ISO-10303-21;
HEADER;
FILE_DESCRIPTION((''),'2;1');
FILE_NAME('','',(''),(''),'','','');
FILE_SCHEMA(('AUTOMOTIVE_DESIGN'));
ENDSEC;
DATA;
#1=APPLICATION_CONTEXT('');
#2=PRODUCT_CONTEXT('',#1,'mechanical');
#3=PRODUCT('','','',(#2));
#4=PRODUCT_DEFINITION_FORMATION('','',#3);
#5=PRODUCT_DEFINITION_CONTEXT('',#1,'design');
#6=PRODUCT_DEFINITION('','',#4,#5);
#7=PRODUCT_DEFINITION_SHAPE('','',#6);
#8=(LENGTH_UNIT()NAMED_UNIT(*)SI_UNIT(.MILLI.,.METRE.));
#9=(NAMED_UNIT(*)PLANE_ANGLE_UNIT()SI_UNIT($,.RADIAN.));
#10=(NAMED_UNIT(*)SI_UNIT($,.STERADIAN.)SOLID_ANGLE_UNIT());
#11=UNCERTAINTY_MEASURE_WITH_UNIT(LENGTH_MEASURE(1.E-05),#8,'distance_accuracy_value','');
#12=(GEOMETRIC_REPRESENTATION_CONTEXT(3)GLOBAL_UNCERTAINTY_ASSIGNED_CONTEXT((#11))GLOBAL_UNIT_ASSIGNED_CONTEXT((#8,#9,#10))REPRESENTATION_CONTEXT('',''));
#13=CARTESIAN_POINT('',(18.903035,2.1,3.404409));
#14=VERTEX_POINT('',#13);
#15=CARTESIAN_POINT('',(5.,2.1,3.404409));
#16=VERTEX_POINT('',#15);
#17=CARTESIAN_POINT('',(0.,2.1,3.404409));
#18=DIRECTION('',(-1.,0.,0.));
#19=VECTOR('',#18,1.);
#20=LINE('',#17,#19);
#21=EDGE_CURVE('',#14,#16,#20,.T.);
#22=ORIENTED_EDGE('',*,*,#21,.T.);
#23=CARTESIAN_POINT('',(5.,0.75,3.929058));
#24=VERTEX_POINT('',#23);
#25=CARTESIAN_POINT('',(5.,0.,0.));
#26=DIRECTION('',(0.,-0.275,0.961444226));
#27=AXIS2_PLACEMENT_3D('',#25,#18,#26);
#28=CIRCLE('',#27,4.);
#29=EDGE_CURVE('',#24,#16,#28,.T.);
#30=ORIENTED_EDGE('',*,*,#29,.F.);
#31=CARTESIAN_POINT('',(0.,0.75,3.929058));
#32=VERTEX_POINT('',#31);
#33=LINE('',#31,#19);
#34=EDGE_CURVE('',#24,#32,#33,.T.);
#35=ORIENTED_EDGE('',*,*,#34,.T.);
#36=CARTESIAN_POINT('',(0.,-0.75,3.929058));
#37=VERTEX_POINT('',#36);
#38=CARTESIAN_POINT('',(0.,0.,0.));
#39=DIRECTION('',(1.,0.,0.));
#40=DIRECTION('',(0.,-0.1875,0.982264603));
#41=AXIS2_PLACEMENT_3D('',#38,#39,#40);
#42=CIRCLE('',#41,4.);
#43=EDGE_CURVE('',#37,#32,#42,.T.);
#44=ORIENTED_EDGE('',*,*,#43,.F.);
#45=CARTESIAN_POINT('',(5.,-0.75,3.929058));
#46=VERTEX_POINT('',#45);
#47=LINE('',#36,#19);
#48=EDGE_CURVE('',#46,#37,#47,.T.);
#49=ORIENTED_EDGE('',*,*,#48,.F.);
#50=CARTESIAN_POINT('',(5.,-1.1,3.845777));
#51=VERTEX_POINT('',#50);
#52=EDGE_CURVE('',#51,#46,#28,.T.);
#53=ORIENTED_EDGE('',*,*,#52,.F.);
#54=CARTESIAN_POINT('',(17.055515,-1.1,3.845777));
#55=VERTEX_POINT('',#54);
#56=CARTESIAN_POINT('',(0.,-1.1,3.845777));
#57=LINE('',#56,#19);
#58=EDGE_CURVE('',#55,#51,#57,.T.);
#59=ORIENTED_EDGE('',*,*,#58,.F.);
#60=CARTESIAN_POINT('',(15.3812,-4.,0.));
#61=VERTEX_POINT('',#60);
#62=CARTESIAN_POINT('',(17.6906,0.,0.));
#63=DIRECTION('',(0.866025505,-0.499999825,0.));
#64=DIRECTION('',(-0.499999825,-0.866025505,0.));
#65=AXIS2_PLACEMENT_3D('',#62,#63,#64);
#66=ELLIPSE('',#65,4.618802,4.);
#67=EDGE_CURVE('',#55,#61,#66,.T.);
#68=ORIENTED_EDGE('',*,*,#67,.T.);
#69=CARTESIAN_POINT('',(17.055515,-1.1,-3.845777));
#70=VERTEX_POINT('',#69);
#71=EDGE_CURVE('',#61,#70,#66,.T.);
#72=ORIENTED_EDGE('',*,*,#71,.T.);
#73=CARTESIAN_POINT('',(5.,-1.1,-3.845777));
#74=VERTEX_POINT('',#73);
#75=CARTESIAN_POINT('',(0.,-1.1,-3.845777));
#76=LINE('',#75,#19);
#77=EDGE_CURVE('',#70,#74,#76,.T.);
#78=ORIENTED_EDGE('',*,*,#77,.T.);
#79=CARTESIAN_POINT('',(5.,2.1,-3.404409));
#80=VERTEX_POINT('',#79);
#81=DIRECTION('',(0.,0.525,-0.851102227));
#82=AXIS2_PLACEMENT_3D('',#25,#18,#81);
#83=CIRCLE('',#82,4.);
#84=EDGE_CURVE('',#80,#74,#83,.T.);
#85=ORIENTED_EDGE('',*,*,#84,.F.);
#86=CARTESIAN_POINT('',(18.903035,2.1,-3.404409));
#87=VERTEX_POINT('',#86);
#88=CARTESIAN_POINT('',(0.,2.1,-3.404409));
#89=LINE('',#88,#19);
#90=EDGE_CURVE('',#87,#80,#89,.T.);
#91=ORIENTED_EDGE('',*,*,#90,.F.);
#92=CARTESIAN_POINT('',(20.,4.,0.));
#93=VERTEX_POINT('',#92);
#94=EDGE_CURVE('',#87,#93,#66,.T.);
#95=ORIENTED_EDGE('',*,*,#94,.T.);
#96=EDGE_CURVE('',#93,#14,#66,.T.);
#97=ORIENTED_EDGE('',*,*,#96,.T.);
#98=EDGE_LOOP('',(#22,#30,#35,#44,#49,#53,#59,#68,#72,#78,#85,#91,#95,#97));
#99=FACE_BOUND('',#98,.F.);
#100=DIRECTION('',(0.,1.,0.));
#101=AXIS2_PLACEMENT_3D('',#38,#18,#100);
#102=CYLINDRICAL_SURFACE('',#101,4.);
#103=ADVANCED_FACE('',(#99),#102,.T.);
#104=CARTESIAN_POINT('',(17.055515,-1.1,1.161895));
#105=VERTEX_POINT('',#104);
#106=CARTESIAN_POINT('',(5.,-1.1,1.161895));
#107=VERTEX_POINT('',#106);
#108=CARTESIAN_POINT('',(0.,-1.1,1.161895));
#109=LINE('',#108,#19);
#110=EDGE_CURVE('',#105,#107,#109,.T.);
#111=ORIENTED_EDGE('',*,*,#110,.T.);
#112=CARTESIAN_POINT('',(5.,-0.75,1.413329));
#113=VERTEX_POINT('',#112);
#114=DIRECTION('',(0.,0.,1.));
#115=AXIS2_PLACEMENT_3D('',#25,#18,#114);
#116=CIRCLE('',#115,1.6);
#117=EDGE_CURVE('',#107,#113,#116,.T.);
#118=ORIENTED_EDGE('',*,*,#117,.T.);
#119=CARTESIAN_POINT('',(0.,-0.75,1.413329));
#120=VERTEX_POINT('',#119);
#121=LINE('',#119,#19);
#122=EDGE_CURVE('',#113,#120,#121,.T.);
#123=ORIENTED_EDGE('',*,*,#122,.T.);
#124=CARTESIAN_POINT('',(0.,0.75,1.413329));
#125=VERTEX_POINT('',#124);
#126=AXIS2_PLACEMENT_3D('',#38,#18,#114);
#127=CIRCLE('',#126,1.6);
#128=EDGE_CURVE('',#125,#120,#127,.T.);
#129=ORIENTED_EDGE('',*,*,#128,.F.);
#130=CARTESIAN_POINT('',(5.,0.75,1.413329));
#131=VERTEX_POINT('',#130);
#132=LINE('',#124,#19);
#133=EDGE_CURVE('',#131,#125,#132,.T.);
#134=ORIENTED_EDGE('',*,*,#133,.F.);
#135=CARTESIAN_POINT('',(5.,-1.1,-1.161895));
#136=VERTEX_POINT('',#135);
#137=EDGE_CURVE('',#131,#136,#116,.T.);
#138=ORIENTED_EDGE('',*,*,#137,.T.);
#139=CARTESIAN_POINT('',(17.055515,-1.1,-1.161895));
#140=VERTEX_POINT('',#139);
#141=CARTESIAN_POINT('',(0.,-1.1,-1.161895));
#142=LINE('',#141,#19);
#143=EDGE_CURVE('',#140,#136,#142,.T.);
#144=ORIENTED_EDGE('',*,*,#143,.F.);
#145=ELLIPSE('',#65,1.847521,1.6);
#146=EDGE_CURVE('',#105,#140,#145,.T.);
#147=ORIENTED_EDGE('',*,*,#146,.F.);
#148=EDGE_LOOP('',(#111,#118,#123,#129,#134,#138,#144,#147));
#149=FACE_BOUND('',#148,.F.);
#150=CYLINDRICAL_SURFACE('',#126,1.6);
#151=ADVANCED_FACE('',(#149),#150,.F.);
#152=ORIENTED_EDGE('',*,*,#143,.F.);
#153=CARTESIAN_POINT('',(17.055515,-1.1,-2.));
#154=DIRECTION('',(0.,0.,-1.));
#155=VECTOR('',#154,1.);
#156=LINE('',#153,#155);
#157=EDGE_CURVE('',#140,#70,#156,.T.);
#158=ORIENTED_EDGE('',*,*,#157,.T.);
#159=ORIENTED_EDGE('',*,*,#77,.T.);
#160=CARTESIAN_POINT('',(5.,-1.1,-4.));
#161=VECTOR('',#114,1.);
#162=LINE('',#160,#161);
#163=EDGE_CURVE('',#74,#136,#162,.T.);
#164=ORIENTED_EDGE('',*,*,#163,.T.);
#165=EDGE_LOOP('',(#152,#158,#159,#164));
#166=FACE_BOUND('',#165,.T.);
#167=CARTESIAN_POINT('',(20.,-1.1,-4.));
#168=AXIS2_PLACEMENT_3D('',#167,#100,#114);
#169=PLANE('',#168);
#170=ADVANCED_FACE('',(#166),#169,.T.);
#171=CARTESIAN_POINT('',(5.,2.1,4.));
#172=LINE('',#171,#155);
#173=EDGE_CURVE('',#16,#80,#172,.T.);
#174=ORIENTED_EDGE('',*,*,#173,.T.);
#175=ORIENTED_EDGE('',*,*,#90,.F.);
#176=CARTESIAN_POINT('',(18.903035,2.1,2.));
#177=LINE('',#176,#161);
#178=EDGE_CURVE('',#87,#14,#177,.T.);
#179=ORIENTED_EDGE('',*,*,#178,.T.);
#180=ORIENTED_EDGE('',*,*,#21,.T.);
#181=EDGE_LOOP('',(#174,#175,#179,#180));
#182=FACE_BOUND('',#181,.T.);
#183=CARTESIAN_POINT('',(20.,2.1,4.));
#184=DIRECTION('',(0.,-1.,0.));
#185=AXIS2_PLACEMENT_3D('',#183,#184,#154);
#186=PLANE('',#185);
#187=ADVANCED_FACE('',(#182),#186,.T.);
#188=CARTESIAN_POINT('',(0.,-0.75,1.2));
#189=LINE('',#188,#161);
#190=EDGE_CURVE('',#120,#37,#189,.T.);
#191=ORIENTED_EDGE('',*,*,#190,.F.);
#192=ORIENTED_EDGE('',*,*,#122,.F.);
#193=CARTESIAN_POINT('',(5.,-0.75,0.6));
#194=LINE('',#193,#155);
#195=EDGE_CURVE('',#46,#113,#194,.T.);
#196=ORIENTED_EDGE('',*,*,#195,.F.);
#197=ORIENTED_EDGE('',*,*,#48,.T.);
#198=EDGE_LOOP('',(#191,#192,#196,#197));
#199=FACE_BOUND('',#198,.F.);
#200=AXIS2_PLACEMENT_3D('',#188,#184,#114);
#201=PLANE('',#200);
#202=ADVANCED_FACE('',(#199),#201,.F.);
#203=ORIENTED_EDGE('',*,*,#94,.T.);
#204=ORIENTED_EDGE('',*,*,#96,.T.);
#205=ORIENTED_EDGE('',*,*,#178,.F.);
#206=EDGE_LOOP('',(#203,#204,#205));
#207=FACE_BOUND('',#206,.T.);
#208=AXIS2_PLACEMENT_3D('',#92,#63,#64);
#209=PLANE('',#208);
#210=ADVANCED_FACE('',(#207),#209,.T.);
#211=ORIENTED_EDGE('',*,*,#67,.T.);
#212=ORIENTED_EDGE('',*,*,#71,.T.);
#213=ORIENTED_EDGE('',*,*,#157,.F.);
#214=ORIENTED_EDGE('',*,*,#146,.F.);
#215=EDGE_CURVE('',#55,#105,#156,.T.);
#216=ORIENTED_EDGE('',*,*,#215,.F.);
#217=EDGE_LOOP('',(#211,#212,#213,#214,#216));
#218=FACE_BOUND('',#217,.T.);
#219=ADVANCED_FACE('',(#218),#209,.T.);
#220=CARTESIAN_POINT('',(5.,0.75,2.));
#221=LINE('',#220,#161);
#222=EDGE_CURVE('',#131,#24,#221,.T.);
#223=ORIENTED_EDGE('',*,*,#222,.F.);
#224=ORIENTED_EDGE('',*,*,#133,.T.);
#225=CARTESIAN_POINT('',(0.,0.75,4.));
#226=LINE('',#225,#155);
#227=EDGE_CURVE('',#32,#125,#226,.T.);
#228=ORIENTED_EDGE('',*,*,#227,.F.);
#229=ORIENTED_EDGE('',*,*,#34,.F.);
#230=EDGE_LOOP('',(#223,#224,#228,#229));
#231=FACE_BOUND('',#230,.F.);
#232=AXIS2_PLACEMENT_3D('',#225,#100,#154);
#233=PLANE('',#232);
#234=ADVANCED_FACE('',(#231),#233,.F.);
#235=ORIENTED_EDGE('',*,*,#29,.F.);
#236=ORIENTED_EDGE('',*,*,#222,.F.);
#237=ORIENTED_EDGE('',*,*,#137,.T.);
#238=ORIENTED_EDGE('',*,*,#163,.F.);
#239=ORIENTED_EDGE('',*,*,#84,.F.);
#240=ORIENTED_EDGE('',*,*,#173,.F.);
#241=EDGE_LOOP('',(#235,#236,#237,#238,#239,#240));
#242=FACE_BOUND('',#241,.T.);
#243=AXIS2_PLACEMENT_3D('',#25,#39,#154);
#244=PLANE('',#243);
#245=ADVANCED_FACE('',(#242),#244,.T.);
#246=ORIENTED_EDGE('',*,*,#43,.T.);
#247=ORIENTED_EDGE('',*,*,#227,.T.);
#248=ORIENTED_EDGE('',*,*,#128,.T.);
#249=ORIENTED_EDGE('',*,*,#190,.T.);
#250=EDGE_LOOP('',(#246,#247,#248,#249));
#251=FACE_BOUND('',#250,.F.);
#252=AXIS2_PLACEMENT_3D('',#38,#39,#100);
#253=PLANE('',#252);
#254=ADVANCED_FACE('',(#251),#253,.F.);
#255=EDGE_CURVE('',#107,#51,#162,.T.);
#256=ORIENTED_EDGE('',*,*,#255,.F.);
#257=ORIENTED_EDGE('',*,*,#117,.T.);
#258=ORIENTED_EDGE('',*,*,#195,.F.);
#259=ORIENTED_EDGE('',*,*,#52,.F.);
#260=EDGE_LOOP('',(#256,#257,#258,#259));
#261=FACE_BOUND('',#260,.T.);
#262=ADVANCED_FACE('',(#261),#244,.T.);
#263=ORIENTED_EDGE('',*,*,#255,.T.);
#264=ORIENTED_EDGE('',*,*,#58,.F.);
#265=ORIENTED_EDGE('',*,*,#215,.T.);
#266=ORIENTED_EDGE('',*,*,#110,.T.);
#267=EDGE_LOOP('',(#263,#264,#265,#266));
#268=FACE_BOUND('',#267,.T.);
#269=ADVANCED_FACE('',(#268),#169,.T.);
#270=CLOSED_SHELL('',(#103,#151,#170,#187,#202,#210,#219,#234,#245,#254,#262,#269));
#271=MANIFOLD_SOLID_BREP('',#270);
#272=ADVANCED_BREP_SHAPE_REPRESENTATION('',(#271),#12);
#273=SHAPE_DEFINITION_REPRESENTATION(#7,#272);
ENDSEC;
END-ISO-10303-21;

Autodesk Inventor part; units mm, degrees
ref_plane "YZ Plane" through (0, 0, 0) normal (1, 0, 0) x (0, 1, 0)
ref_plane "XZ Plane" through (0, 0, 0) normal (0, 1, 0) x (-1, 0, 0)
ref_plane "XY Plane" through (0, 0, 0) normal (0, 0, 1) x (1, 0, 0)
sketch "Sketch1" plane through (0, 0, 0) normal (1, 0, 0) x (0, 1, 0)
  circle A0 centre (0, 0) radius 4
  dimension "d0" = 8
extrude "Extrusion1" add sketch "Sketch1" along normal blind 20
sketch "Sketch2" plane through (20, 0, 0) normal (1, 0, 0) x (0, 0, -1)
  line L0 (-4, 2.1) -> (4, 2.1)
  line L1 (4, 2.1) -> (4, -1.1)
  line L2 (4, -1.1) -> (-4, -1.1)
  line L3 (-4, -1.1) -> (-4, 2.1)
  point P0 (0, 0)
  dimension "d3" = 8
  dimension "d4" = 3.2
  dimension "d5" = 2.1
  dimension "d6" = 4
extrude "Extrusion2" cut sketch "Sketch2" against normal blind 15
sketch "Sketch3" plane through (0, 0, 0) normal (-1, 0, 0) x (0, 0, 1)
  circle A0 centre (0, 0) radius 1.6
  dimension "d9" = 3.2
extrude "Extrusion3" cut sketch "Sketch3" against normal through all
sketch "Sketch4" plane through (0, 0, 0) normal (0, 0, 1) x (1, 0, 0)
  line L0 (20, 2.1) -> (20, 4) projected
  line L1 (20, 4) -> (15.3812, -4)
  line L2 (0, -4) -> (20, -4) projected
  line L3 (20, 4) -> (29.2376, 4) construction
  line L4 (15.3812, -4) -> (20, -4)
  line L5 (20, 4) -> (20, -4)
  point P0 (0, 0)
  dimension "d12" = 120
extrude "Extrusion4" cut sketch "Sketch4" along normal through all both and the other way through all
sketch "Sketch6" plane through (0, 0, 0) normal (-1, 0, 0) x (0, 0, 1)
  line L0 (4, 0.75) -> (1.2, 0.75)
  line L1 (1.2, 0.75) -> (1.2, -0.75)
  line L2 (1.2, -0.75) -> (4, -0.75)
  line L3 (4, -0.75) -> (4, 0.75)
  point P0 (0, 0)
  dimension "d23" = 1.5
  dimension "d24" = 4
  dimension "d25" = 0.75
  dimension "d27" = 1.2
extrude "Extrusion6" cut sketch "Sketch6" against normal blind 10
equation "\"d6\" = 0.5 * d3"
equation "\"d25\" = 0.5 * d23"
properties part number "Main_tip_coupler"
